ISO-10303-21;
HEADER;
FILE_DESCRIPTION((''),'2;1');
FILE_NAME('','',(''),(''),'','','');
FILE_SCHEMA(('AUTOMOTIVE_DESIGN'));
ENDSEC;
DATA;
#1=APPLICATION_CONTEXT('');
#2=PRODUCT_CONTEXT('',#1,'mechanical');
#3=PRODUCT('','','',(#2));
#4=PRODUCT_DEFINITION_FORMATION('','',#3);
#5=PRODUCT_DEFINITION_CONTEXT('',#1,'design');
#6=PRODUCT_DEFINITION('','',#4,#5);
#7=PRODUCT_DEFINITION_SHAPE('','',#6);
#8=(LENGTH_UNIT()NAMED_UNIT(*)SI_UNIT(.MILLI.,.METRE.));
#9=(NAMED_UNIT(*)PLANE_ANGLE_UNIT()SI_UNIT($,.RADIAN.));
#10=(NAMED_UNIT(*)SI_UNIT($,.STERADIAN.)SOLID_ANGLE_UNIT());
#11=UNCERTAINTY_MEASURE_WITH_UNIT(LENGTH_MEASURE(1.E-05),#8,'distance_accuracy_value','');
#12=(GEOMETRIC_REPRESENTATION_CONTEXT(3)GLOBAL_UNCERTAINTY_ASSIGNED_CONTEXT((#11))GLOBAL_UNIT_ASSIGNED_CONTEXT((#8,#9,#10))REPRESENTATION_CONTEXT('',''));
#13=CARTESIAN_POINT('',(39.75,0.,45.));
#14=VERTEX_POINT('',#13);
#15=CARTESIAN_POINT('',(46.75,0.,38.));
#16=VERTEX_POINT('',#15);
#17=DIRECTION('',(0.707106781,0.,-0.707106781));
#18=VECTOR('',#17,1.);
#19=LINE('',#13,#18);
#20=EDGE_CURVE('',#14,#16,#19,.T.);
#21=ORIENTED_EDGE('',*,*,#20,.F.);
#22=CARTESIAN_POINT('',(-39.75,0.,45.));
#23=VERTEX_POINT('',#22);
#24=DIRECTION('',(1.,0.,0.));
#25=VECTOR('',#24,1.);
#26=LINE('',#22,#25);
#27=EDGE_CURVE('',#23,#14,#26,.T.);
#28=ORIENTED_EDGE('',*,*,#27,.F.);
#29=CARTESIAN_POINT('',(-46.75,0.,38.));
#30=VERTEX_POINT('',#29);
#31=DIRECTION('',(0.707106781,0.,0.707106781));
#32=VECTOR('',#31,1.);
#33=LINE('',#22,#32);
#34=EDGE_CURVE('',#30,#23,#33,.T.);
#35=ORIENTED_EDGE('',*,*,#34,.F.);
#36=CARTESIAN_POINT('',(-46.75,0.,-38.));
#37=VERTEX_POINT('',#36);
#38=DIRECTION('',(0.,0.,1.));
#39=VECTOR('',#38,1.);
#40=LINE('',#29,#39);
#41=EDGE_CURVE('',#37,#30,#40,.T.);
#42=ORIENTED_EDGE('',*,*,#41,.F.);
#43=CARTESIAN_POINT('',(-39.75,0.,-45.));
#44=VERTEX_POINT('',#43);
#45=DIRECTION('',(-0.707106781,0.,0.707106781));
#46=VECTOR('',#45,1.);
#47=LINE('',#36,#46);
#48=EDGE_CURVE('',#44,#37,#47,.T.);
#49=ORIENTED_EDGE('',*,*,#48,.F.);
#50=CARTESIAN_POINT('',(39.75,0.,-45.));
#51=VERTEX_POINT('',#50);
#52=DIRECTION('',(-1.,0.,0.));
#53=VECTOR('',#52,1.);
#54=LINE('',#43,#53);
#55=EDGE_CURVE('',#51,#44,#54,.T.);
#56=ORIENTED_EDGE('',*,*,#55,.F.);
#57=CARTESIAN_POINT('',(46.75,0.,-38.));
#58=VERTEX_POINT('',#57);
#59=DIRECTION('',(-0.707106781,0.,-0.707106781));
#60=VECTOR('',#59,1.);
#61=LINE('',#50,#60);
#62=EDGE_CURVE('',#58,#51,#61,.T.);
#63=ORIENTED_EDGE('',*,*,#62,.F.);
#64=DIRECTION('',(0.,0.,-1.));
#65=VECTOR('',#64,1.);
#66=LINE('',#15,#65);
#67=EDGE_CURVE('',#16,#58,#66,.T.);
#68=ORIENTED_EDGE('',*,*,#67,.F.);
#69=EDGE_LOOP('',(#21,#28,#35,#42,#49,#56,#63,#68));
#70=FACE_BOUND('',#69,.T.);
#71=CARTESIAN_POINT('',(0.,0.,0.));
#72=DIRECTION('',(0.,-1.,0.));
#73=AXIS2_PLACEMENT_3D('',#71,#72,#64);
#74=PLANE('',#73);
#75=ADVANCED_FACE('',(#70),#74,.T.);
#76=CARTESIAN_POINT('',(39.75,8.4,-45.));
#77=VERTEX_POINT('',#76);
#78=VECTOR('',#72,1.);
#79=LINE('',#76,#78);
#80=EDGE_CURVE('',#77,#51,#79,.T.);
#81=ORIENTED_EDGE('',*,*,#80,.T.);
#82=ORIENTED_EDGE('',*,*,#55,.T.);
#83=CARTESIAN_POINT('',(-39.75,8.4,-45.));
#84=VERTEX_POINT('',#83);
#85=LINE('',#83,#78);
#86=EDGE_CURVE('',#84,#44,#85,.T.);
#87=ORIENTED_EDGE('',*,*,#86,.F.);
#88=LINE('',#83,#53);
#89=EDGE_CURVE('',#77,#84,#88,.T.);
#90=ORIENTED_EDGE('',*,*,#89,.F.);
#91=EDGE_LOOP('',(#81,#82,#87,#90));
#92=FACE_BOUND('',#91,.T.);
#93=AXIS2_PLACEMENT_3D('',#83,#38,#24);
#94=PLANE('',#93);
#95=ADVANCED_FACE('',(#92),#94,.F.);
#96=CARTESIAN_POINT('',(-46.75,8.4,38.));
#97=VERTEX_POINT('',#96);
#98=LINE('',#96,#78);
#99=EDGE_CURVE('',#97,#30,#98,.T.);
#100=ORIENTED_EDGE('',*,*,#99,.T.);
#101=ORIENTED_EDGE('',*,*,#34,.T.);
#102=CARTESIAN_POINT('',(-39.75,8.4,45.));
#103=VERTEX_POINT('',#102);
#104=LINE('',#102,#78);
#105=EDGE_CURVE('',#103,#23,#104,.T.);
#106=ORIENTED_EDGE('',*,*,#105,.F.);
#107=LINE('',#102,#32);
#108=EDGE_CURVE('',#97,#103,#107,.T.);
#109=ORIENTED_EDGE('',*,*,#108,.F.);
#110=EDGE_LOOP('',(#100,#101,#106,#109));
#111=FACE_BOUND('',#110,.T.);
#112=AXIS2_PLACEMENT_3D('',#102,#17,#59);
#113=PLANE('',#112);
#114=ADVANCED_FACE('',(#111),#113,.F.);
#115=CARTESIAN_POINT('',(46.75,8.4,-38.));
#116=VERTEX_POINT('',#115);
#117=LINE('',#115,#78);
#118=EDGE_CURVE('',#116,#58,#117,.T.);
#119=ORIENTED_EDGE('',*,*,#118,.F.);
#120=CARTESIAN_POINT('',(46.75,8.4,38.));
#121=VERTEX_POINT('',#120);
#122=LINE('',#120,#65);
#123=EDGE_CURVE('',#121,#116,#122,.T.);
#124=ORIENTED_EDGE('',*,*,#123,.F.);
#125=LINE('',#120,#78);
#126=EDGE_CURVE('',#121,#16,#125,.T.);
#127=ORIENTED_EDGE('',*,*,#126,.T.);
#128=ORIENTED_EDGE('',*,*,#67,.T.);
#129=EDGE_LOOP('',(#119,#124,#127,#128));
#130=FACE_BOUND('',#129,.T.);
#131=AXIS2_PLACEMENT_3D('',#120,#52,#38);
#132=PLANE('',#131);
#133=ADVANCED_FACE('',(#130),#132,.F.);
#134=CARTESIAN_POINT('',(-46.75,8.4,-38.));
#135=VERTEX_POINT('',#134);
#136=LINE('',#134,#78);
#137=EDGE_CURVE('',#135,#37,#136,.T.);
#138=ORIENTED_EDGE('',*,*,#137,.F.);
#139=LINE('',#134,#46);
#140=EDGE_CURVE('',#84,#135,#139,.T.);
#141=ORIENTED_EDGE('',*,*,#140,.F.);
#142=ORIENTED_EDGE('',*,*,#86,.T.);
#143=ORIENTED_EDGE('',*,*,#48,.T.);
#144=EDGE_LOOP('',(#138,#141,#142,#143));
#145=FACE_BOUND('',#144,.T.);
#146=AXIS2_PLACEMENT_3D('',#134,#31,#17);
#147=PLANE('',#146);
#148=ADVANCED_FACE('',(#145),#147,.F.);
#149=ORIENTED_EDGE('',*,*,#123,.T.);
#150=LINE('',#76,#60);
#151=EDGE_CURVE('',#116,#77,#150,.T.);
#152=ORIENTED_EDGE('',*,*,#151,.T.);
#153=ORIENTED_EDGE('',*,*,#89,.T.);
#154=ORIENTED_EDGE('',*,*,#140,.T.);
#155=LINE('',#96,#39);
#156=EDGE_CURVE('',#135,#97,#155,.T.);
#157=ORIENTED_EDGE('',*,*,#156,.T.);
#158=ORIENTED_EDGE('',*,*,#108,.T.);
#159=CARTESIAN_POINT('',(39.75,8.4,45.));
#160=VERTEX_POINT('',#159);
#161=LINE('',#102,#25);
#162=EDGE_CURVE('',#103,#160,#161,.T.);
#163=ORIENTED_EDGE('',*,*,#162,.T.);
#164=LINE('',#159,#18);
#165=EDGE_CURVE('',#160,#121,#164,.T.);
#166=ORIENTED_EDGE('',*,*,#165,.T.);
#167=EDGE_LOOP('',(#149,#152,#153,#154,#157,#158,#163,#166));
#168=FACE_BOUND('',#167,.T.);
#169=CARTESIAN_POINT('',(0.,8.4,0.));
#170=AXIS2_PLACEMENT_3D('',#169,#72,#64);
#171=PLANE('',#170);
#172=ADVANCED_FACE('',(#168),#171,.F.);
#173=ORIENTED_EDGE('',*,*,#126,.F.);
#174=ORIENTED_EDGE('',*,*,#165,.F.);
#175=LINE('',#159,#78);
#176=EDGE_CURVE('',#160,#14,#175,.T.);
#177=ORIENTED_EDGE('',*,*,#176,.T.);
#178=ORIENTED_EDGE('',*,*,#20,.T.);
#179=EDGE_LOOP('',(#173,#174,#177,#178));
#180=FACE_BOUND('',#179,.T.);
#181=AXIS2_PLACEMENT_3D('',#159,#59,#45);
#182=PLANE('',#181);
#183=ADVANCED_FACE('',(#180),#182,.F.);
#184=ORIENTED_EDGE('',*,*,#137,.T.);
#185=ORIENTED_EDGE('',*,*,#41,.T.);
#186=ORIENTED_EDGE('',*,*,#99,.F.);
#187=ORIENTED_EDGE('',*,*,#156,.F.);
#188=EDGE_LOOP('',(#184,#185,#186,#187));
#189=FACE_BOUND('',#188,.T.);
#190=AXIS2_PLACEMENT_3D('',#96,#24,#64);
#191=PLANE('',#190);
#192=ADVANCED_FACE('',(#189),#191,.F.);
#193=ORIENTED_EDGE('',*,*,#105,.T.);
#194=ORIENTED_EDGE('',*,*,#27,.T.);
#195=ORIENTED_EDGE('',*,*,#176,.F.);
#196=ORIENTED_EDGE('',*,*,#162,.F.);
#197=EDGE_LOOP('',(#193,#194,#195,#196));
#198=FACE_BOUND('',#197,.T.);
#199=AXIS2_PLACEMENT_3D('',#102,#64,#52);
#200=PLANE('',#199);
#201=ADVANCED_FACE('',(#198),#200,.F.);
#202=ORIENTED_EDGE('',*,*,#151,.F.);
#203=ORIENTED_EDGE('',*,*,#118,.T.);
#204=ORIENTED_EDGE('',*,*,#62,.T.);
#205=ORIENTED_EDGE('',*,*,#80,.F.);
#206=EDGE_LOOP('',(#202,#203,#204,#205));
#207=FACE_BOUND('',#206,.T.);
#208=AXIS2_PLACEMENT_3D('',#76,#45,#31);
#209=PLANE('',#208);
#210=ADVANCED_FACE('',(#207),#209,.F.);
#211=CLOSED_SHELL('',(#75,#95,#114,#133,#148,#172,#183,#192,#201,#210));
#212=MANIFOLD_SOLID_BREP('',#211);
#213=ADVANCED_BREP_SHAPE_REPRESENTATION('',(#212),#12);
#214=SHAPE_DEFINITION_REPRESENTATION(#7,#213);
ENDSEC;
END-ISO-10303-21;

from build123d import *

# Parameters (mm, degrees)
BOSS_EXTRUDE1_DEPTH = 8.4


with BuildPart() as part:
    # Sketch4 → Boss-Extrude1 (new body)
    with BuildSketch(Plane(origin=(0, 0, 0), x_dir=(1, 0, 0), z_dir=(0, 1, 0))):
        Polygon((-46.75, 38), (-39.75, 45), (39.75, 45), (46.75, 38), (46.75, -38), (39.75, -45), (-39.75, -45), (-46.75, -38), align=None)
    extrude(amount=BOSS_EXTRUDE1_DEPTH)


solid = part.part
